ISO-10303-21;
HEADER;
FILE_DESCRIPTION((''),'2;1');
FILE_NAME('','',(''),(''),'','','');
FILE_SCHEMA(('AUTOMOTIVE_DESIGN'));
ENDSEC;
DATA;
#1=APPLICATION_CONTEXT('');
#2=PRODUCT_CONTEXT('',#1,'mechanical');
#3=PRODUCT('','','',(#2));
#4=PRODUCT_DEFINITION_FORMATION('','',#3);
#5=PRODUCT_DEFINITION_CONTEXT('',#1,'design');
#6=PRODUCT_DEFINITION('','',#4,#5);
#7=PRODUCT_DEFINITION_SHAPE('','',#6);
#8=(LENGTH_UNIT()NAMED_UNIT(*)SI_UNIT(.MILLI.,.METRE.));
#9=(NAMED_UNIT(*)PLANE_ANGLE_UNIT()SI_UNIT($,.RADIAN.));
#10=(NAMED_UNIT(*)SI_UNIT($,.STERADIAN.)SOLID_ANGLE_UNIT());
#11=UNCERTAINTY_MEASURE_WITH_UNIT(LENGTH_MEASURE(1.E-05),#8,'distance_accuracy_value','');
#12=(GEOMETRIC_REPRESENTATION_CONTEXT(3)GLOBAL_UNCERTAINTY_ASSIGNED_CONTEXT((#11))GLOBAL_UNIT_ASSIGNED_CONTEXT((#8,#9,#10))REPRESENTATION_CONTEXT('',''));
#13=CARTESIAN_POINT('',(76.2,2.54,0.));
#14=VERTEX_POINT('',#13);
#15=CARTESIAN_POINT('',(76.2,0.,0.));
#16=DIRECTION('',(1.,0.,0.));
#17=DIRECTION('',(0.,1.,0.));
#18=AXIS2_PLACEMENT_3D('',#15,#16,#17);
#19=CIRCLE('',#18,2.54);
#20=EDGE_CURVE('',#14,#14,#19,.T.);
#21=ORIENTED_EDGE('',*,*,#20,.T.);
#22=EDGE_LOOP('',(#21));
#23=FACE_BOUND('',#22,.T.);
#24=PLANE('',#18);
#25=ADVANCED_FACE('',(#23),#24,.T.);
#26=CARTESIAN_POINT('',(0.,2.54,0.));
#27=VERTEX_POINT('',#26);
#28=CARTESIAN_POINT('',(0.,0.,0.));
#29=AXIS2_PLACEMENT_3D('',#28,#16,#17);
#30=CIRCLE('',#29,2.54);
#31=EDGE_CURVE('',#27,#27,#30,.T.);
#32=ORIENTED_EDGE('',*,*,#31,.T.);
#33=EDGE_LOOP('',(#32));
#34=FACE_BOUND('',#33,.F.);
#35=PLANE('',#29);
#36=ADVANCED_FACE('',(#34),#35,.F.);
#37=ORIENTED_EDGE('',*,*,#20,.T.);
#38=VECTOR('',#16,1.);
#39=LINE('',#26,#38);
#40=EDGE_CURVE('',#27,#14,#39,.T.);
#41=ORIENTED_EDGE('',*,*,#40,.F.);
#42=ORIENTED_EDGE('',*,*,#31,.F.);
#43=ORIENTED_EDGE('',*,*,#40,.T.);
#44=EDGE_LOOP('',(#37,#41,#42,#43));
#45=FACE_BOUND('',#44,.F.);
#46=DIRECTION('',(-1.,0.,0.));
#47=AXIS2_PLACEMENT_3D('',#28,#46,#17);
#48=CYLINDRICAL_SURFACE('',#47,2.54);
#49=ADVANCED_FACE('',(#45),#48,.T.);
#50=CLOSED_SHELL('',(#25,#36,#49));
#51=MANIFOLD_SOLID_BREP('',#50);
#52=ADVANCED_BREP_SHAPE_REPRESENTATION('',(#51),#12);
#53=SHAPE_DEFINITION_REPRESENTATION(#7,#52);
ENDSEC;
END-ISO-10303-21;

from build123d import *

# Parameters (mm, degrees)
F0_R     = 2.442894711
F1_DEPTH = 58.42
F3_R     = 2.54
F4_DEPTH = 76.2


with BuildPart() as f1:
    # F0 (on Front) → F1 (new body)
    with BuildSketch(Plane.XZ):
        Circle(F0_R)
    extrude(amount=F1_DEPTH)


with BuildPart() as f4:
    # F3 (on Right) → F4 (new body)
    with BuildSketch(Plane.YZ):
        Circle(F3_R)
    extrude(amount=F4_DEPTH)


solid = f4.part
